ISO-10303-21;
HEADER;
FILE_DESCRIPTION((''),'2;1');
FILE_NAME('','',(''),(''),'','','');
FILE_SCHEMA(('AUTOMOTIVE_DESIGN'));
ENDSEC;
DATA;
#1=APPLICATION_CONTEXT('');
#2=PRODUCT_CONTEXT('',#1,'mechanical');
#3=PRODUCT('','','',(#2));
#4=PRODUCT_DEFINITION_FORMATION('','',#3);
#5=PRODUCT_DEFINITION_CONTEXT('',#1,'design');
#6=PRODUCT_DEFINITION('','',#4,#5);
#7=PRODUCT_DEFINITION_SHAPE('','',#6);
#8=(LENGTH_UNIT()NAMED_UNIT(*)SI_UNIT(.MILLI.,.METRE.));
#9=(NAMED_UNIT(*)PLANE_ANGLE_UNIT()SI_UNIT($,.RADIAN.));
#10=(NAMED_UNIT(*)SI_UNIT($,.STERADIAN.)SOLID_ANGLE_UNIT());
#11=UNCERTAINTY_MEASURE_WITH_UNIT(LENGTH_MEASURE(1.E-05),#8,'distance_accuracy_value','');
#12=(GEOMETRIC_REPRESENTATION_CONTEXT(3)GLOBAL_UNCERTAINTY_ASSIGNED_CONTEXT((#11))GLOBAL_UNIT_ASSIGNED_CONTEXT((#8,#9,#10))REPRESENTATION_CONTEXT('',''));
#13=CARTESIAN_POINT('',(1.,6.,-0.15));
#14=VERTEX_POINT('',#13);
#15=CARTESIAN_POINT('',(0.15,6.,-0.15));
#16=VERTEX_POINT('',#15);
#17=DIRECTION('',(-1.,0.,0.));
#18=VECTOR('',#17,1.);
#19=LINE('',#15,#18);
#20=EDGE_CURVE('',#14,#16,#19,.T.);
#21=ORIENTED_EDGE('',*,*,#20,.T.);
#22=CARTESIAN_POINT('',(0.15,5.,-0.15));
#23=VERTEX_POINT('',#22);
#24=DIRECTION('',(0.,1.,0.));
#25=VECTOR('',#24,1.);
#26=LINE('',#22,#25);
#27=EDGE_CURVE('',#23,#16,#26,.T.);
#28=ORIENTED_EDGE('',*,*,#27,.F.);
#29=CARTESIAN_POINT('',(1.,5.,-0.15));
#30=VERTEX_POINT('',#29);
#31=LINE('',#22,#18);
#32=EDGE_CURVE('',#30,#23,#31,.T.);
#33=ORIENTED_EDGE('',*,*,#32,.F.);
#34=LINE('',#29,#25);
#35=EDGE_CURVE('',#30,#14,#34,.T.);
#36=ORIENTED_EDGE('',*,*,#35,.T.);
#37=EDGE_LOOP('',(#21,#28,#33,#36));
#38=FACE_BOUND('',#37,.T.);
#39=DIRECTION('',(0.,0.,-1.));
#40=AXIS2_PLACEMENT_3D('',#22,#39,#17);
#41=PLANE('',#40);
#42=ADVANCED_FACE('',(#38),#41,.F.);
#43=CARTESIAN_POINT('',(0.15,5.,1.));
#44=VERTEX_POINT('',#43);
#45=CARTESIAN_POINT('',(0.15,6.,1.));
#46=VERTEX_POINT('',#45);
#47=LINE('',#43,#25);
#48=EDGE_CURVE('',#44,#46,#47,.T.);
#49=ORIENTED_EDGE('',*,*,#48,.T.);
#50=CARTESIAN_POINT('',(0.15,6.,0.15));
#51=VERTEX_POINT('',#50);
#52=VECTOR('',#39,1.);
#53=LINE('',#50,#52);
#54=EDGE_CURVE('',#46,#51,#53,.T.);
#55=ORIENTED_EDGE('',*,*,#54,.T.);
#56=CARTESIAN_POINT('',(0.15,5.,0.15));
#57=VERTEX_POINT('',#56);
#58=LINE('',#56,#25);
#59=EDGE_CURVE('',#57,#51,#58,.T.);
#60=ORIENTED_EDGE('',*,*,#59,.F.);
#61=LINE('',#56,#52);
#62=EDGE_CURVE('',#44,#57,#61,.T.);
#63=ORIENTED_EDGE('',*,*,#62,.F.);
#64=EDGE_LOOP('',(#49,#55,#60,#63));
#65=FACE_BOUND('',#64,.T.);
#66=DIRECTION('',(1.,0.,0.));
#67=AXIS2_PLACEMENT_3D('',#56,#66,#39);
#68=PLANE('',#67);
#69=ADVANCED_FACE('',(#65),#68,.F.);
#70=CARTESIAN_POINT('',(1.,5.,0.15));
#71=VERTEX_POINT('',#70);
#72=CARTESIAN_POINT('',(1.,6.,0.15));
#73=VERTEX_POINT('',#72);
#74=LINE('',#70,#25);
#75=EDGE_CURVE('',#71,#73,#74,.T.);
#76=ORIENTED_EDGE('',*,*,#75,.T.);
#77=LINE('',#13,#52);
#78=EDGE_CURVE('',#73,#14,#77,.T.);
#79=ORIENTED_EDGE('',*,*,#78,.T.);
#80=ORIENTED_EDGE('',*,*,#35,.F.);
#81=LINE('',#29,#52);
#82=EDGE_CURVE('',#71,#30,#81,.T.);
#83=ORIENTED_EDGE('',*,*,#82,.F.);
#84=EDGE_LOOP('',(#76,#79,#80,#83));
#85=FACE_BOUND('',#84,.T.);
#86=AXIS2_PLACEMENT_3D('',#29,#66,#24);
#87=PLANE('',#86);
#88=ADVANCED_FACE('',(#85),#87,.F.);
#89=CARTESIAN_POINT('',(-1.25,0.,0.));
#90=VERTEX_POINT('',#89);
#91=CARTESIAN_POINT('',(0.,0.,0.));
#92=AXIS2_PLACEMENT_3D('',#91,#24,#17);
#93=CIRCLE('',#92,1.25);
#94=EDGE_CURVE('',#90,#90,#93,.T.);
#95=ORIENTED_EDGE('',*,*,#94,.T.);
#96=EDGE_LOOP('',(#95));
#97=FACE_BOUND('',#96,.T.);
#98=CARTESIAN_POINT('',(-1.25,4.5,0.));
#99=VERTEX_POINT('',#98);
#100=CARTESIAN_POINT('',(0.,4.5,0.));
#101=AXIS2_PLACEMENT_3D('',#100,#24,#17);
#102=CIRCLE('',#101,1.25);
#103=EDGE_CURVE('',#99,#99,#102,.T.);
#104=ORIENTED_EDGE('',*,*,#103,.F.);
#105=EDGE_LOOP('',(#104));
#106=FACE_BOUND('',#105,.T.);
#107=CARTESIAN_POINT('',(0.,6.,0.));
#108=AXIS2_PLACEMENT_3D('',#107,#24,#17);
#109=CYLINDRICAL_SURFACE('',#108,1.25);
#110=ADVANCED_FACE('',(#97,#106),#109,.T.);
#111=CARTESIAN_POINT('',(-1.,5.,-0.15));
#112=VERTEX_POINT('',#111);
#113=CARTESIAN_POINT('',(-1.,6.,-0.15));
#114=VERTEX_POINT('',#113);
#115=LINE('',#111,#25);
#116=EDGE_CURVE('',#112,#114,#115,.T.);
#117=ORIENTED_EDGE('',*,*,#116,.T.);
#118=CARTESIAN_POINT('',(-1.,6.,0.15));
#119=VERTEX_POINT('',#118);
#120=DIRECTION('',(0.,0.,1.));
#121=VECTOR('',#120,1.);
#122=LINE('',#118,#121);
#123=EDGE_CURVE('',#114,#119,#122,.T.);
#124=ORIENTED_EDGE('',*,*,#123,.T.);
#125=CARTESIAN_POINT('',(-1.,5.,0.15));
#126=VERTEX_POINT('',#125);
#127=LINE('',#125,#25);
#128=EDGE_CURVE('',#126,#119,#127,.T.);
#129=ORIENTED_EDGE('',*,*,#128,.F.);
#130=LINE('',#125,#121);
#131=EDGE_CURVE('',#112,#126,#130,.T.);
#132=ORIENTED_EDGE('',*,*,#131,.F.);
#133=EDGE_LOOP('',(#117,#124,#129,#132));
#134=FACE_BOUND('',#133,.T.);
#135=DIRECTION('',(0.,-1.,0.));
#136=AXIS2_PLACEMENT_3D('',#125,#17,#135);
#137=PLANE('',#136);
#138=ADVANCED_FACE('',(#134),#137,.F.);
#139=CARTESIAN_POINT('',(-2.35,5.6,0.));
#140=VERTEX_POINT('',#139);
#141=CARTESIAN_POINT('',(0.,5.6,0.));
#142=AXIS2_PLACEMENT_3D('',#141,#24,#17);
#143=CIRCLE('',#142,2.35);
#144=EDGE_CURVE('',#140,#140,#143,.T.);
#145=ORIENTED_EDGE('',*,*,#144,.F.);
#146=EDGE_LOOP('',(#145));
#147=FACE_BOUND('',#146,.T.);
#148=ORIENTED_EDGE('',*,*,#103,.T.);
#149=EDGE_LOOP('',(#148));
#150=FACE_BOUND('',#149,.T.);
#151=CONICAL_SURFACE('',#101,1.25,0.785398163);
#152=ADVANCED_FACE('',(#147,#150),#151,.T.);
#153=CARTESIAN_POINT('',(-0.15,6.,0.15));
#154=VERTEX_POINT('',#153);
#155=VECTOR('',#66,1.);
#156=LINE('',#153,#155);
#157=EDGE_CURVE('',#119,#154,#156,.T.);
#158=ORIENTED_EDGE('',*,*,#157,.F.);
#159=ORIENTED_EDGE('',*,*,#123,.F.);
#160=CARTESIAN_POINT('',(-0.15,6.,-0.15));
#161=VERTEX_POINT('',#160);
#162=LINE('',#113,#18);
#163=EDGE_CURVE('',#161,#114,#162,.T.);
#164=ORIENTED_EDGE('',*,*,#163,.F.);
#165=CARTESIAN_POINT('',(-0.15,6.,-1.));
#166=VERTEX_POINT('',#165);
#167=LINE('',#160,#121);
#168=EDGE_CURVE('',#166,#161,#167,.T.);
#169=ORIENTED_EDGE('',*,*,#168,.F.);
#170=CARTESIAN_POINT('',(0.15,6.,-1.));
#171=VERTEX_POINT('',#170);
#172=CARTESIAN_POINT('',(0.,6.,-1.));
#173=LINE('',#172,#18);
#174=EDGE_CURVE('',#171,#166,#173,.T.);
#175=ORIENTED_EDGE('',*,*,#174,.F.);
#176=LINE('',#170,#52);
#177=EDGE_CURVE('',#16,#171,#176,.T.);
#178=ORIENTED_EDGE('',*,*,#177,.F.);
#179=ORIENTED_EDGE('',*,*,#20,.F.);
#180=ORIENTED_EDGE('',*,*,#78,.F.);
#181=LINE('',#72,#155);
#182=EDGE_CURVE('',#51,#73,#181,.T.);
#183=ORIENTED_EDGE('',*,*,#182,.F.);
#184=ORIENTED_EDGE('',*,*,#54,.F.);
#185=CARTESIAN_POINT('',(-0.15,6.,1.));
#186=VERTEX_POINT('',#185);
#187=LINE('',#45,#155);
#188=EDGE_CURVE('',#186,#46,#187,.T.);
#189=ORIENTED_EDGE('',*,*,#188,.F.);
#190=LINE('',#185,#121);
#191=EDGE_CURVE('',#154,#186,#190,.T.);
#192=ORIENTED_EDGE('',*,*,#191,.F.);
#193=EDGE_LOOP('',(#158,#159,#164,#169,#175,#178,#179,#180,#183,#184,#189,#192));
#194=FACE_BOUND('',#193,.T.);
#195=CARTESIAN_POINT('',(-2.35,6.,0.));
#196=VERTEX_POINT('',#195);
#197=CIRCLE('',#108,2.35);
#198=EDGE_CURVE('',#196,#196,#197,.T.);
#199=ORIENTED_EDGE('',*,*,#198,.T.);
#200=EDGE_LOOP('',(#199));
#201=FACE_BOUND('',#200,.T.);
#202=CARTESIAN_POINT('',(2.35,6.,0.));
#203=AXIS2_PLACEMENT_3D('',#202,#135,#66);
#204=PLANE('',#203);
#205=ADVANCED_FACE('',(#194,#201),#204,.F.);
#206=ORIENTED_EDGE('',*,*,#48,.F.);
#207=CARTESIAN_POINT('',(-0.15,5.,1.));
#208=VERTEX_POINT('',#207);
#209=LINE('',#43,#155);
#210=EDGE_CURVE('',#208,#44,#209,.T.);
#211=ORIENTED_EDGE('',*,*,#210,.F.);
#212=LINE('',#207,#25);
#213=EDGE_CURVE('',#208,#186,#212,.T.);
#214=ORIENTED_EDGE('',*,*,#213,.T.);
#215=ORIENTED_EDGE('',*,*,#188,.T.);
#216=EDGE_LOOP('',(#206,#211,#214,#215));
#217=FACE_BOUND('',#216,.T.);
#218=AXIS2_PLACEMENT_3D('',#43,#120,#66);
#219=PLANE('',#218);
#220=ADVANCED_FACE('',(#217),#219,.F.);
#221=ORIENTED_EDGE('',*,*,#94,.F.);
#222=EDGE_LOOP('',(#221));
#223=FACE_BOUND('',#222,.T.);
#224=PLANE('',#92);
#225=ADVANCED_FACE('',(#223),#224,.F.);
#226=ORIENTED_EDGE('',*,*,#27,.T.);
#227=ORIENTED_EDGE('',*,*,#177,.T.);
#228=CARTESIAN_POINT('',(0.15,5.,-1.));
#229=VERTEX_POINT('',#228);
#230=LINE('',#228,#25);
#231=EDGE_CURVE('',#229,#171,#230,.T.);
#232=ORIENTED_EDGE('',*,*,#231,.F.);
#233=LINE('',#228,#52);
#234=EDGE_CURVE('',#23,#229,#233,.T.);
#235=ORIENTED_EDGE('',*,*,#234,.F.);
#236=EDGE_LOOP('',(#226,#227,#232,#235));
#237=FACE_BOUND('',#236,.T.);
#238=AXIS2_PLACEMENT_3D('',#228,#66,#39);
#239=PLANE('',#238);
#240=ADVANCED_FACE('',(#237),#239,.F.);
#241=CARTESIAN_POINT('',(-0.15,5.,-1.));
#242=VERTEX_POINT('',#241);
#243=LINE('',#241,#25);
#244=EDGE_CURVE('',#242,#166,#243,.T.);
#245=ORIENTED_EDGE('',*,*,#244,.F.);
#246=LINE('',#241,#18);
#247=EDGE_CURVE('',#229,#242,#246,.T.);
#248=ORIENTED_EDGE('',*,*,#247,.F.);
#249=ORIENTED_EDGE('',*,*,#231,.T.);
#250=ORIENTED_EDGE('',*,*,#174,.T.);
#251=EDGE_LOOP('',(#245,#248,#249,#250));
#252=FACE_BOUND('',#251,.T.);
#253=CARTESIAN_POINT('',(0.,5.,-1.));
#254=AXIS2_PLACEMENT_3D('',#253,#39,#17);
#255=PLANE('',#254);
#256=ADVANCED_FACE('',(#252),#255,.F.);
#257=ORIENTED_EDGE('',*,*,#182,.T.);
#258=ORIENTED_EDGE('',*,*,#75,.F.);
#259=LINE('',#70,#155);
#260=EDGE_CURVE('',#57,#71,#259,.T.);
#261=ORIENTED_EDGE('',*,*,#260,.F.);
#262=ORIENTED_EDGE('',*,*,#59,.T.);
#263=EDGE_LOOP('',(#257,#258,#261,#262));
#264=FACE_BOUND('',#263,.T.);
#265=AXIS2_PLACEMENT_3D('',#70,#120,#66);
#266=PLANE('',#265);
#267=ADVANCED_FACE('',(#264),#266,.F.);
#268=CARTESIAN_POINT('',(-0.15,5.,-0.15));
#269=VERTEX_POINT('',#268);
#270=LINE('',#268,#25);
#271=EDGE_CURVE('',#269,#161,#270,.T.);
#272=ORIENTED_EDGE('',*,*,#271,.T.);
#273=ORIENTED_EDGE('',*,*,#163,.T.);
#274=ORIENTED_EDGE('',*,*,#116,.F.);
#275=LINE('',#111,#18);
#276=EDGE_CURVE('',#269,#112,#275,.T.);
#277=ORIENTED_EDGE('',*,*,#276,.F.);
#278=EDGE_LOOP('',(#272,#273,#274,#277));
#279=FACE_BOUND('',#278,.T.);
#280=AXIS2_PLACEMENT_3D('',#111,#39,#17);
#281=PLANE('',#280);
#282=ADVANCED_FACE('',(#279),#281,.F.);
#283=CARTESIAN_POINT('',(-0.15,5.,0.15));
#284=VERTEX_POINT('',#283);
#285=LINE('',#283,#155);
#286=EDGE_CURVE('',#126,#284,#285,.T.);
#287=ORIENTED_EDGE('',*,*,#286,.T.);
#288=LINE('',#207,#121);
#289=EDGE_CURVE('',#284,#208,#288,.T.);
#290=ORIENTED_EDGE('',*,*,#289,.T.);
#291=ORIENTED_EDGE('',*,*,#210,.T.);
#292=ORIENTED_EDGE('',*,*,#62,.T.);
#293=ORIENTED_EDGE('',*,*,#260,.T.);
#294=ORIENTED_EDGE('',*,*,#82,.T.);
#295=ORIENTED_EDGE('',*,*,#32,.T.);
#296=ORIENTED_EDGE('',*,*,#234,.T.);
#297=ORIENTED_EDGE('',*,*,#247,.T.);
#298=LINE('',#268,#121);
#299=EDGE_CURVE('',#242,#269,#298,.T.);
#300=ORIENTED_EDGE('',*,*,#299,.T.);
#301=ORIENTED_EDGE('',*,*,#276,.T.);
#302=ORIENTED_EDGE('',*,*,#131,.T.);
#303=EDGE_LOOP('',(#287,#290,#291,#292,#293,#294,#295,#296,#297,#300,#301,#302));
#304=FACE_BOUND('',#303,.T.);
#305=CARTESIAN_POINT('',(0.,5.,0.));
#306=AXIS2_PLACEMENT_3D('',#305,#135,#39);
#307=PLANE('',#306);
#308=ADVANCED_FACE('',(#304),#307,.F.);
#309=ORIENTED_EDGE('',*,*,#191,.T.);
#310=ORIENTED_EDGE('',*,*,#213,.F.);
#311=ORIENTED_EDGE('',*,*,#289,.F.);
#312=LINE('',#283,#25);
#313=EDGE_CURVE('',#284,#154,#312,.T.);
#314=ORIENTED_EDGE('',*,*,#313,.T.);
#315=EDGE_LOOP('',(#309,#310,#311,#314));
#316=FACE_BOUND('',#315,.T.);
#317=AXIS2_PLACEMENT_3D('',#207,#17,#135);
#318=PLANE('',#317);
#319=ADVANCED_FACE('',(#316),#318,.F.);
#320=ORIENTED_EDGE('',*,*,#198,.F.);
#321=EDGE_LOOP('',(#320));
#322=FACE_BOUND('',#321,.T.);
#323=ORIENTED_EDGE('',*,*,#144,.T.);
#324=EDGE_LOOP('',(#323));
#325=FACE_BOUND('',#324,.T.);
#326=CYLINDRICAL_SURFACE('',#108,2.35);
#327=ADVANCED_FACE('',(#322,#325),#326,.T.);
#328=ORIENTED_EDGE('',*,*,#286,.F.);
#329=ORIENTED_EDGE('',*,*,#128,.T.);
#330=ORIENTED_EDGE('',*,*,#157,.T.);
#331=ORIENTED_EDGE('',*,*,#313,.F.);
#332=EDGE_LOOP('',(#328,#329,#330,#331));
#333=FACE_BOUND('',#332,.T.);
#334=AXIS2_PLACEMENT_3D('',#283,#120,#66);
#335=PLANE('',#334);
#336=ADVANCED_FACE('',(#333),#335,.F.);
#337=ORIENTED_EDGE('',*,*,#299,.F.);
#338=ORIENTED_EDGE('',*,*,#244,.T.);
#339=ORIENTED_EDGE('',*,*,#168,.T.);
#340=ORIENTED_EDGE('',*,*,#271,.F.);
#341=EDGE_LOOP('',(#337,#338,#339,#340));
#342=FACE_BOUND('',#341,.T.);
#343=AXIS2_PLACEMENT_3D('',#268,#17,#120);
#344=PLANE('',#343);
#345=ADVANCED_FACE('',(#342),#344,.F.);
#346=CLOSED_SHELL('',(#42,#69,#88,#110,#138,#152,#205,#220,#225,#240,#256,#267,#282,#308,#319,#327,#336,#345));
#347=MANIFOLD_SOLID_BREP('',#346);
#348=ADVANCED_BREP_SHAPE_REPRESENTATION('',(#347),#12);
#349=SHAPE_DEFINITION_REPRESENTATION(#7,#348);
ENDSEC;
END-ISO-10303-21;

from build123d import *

# Parameters (mm, degrees)
CUT_EXTRUDE1_DEPTH = 1


with BuildPart() as part:
    # Sketch1 → Revolve1 (revolve)
    with BuildSketch(Plane.XY, mode=Mode.PRIVATE) as revolve1_sk:
        Polygon((0, 0), (1.25, 0), (1.25, 4.5), (2.35, 5.6), (2.35, 6), (0, 6), align=None)
    revolve(revolve1_sk.sketch.rotate(Axis((0, 6, 0), (0, -1, 0)), 180), axis=Axis((0, 6, 0), (0, -1, 0)))

    # Sketch2 → Cut-Extrude1 (cut)
    with BuildSketch(Plane(origin=(0, 6, 0), x_dir=(1, 0, 0), z_dir=(0, 1, 0))):
        Polygon((0, 1), (0.15, 1), (0.15, 0.15), (1, 0.15), (1, -0.15), (0.15, -0.15), (0.15, -1), (-0.15, -1), (-0.15, -0.15), (-1, -0.15), (-1, 0.15), (-0.15, 0.15), (-0.15, 1), align=None)
    extrude(amount=-CUT_EXTRUDE1_DEPTH, mode=Mode.SUBTRACT)


solid = part.part
